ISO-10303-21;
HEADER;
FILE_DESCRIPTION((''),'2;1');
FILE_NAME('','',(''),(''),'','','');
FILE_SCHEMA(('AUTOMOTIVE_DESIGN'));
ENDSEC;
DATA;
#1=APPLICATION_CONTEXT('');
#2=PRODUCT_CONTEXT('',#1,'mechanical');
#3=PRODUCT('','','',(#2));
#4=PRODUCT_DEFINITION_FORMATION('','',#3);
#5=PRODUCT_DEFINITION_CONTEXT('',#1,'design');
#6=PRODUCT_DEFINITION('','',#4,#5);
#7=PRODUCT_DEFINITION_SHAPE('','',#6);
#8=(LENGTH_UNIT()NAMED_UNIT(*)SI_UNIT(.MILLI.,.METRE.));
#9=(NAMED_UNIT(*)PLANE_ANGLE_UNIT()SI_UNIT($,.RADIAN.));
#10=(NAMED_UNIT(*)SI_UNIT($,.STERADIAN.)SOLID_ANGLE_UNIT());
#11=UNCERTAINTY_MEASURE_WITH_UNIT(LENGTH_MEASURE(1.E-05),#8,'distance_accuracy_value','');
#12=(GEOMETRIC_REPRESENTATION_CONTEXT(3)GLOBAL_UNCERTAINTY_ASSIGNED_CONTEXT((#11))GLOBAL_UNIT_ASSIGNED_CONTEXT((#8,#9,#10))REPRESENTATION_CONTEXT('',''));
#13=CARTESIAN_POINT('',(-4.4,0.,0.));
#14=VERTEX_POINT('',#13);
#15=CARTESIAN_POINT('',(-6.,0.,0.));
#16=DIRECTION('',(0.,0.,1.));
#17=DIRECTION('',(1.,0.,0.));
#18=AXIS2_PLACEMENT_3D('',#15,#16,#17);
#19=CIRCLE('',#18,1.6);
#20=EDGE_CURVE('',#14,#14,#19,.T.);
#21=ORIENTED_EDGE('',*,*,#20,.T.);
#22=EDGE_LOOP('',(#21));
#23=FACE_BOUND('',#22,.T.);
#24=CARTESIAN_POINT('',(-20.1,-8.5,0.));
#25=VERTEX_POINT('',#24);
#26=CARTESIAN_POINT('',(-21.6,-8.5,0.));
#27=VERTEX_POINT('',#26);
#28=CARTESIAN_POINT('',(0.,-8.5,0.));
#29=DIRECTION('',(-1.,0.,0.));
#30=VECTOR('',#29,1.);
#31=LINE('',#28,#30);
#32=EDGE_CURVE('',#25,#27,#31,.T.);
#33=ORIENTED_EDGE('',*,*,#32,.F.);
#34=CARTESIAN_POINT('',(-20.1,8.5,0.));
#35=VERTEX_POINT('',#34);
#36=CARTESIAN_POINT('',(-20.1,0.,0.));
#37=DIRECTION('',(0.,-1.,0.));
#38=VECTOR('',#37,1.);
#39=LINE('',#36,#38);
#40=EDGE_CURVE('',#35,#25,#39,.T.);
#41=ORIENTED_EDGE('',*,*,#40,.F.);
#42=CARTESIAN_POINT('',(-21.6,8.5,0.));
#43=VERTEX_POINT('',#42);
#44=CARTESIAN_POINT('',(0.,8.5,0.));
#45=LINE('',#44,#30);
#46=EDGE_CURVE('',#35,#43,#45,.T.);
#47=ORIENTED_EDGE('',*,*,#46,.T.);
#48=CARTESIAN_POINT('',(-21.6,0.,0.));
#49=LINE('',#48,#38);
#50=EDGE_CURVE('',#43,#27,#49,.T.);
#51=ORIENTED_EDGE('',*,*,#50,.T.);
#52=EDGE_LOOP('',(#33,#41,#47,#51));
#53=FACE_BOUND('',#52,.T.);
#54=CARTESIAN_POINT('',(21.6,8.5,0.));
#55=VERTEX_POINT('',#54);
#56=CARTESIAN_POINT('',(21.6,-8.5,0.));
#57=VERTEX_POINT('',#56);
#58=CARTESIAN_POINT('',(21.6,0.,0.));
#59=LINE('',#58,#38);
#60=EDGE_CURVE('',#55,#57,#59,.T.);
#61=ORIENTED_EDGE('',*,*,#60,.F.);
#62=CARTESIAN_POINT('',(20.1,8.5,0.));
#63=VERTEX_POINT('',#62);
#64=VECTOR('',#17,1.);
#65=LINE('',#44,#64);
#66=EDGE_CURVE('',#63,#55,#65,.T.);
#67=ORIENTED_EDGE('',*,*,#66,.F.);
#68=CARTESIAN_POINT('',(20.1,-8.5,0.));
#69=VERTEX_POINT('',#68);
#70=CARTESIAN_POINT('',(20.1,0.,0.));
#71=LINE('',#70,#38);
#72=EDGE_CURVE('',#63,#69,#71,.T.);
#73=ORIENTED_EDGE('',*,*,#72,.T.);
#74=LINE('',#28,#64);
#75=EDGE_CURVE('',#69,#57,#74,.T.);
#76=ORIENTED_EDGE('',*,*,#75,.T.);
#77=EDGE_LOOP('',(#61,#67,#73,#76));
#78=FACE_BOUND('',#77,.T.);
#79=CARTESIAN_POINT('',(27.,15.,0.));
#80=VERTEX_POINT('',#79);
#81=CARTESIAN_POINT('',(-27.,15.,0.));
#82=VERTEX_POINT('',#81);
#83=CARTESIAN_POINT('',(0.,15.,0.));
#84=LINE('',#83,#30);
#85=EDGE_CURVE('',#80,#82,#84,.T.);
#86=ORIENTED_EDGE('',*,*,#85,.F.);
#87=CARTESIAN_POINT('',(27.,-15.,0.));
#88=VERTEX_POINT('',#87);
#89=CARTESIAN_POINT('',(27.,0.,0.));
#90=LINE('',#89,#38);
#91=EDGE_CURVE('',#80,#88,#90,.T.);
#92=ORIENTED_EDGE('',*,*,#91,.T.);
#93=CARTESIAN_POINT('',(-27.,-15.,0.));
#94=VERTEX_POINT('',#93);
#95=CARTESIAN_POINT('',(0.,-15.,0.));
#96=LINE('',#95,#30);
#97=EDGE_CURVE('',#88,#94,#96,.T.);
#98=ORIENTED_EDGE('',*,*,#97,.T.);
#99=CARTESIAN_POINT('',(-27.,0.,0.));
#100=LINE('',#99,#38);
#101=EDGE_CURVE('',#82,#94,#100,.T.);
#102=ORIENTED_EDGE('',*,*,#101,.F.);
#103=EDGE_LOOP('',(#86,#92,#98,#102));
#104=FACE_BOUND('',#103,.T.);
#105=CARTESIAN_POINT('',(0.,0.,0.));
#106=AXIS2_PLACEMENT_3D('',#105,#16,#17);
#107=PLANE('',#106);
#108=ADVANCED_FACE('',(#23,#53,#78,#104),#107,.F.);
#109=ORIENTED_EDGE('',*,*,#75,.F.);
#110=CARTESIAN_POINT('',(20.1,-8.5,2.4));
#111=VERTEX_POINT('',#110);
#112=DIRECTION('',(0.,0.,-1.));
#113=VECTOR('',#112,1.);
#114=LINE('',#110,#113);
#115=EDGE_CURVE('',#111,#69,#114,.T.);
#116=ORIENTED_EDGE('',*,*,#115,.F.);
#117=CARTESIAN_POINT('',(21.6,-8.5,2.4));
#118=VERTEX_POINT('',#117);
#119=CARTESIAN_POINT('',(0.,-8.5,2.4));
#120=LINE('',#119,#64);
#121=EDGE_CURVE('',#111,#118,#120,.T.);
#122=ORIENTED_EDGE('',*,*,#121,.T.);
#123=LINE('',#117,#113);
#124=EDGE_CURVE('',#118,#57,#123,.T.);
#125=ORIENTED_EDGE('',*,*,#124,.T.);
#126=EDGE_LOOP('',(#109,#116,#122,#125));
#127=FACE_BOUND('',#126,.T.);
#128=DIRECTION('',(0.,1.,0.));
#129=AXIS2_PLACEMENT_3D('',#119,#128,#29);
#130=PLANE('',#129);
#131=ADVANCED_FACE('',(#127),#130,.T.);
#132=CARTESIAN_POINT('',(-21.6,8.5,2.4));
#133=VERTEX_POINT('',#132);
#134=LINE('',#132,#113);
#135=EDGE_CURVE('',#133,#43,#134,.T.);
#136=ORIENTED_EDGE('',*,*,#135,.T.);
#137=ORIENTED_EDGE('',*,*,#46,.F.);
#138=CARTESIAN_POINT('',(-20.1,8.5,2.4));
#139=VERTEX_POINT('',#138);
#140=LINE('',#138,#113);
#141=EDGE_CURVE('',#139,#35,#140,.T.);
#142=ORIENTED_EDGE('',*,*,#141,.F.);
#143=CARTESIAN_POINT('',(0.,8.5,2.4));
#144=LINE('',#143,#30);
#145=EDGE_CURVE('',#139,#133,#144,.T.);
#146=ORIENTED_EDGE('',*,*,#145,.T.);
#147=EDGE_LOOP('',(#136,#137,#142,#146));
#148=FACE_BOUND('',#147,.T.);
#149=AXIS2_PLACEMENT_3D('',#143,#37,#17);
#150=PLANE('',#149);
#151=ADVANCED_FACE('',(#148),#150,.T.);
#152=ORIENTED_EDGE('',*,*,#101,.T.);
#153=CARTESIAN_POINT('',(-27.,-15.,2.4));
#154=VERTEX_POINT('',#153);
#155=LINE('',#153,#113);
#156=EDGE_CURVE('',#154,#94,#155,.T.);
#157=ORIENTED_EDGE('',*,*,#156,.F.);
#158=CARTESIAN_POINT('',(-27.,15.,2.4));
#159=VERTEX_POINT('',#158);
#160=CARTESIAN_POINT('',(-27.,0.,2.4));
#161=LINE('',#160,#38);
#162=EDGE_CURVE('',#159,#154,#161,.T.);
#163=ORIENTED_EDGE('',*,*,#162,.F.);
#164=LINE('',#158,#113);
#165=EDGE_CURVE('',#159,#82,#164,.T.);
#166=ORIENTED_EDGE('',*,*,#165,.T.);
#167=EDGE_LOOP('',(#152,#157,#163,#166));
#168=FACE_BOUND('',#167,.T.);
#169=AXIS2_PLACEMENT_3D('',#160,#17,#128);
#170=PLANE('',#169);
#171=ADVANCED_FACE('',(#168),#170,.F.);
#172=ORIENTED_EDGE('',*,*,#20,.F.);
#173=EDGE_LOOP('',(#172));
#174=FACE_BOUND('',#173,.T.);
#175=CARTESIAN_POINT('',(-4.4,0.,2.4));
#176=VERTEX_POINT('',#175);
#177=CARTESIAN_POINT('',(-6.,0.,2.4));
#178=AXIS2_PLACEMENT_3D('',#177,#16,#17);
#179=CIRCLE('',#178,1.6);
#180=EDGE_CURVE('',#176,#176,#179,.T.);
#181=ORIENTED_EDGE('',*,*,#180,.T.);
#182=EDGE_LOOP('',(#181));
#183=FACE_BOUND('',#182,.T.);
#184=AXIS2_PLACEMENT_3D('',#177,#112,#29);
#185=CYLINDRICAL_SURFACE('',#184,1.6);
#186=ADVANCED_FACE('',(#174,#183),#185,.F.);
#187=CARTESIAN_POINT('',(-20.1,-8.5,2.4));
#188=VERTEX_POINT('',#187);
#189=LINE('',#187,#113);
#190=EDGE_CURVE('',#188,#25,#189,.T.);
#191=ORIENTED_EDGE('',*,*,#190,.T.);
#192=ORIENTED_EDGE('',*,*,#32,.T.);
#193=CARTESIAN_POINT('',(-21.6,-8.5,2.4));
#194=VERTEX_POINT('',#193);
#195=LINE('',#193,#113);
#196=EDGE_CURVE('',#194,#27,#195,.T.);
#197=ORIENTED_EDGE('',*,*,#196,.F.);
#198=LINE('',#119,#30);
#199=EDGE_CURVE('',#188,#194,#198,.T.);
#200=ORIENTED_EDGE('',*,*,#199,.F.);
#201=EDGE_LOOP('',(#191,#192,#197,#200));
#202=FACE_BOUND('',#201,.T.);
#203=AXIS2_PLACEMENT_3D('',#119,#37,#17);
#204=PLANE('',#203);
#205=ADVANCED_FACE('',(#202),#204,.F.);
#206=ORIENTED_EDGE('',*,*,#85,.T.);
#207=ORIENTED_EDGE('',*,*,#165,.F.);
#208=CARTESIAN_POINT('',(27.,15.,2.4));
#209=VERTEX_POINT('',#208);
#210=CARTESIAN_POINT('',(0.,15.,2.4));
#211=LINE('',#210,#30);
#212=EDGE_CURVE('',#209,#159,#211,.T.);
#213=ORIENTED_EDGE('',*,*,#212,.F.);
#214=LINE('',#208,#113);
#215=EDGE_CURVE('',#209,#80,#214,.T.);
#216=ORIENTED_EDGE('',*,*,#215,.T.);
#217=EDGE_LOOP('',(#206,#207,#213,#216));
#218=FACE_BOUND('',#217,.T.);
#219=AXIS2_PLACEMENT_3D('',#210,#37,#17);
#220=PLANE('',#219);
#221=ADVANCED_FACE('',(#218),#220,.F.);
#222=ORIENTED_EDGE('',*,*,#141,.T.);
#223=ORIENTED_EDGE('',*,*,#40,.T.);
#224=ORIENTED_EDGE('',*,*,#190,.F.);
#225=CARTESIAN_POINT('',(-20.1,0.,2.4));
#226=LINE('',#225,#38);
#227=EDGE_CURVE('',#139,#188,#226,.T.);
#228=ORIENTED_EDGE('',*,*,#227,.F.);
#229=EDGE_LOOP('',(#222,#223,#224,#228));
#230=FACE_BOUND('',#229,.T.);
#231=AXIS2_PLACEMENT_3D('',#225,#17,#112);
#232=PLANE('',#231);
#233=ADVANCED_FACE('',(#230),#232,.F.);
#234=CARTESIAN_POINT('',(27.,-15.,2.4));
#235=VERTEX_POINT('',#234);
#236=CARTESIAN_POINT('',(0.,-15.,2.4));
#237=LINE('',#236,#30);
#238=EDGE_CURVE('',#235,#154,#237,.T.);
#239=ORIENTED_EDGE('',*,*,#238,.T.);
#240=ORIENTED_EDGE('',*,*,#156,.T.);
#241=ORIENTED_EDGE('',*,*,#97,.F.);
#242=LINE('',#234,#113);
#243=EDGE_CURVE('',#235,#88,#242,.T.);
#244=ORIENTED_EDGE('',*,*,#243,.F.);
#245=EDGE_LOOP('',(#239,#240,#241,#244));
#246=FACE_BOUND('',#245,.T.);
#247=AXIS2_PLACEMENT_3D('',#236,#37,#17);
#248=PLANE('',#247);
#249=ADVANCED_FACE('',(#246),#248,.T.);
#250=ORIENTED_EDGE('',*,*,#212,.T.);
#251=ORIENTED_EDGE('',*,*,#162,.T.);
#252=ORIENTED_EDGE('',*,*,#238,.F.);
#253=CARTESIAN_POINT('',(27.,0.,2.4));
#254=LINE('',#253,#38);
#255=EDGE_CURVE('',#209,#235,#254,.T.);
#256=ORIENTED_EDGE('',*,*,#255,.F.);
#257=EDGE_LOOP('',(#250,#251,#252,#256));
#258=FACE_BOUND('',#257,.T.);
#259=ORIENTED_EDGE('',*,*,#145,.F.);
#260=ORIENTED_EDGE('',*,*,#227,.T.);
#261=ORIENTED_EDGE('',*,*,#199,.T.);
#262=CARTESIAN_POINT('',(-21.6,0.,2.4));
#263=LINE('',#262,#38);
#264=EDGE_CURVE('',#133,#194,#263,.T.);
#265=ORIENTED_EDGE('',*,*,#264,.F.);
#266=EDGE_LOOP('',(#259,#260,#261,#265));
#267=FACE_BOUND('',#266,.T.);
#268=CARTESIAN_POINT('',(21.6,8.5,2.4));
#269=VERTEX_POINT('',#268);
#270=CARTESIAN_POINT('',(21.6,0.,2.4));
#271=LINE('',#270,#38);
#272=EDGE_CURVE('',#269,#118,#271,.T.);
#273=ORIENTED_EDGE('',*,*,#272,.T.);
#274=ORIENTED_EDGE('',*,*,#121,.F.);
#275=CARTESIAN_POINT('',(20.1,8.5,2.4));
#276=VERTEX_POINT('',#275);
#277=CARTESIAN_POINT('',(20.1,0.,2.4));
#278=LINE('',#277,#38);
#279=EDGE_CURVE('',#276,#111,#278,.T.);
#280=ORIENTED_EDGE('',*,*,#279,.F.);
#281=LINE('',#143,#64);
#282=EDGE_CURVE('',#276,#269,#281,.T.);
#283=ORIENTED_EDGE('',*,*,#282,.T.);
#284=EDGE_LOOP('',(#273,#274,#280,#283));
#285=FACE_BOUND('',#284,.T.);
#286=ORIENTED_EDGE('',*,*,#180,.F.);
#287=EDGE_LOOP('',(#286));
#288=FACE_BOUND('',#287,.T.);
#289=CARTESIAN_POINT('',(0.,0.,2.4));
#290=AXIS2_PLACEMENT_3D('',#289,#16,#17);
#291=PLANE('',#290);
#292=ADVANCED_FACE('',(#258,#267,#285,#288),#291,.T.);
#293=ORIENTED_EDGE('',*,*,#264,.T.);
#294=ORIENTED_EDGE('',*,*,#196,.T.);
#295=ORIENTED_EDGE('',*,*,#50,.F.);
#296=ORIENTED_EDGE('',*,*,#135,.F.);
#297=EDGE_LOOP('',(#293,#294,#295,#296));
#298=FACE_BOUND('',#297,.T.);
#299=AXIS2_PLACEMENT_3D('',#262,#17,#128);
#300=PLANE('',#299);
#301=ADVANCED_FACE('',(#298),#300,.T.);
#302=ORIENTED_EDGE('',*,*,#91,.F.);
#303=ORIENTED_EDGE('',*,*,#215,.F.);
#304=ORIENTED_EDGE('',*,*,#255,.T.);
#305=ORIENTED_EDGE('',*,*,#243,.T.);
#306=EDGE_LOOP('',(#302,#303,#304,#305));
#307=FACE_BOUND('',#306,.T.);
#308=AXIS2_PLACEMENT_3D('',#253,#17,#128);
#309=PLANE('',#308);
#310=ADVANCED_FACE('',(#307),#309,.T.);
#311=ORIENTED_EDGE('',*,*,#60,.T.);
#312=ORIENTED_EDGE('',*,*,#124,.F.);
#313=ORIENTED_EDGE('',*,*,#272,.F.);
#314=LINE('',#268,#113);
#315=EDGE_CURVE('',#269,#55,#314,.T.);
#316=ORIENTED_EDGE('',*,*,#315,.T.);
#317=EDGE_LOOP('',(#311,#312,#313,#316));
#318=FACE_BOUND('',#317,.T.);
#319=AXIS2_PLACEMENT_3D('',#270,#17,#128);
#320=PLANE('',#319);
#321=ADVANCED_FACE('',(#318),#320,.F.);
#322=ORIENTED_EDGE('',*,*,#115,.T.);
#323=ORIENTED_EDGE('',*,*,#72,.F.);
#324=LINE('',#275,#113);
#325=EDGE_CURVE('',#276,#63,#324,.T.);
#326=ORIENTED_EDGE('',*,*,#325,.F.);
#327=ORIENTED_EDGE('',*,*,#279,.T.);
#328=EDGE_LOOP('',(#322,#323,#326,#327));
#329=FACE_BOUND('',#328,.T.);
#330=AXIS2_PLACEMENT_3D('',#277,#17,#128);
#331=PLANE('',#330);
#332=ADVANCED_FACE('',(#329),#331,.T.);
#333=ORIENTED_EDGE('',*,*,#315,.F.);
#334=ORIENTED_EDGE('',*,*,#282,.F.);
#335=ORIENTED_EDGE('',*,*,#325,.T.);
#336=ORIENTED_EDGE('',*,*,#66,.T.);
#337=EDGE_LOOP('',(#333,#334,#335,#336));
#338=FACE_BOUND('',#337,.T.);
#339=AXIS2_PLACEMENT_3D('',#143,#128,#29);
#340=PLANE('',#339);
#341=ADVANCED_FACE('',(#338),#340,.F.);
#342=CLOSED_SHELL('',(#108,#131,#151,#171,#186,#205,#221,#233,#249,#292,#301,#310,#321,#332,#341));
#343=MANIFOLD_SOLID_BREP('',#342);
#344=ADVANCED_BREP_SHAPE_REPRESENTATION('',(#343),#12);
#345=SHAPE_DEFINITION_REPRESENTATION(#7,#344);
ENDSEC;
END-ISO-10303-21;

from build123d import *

# Parameters (mm, degrees)
SKETCH1_W           = 54
SKETCH1_H           = 30
SKETCH1_W_2         = 1.5
SKETCH1_H_2         = 17
SKETCH1_R           = 1.6
BOSS_EXTRUDE1_DEPTH = 2.4


with BuildPart() as part:
    # Sketch1 → Boss-Extrude1 (new body)
    with BuildSketch(Plane.XY):
        Rectangle(SKETCH1_W, SKETCH1_H)
        with Locations((-20.85, 0)):
            Rectangle(SKETCH1_W_2, SKETCH1_H_2, mode=Mode.SUBTRACT)
        with Locations((20.85, 0)):
            Rectangle(SKETCH1_W_2, SKETCH1_H_2, mode=Mode.SUBTRACT)
        with Locations((-6, 0)):
            Circle(SKETCH1_R, mode=Mode.SUBTRACT)
    extrude(amount=BOSS_EXTRUDE1_DEPTH)


solid = part.part
